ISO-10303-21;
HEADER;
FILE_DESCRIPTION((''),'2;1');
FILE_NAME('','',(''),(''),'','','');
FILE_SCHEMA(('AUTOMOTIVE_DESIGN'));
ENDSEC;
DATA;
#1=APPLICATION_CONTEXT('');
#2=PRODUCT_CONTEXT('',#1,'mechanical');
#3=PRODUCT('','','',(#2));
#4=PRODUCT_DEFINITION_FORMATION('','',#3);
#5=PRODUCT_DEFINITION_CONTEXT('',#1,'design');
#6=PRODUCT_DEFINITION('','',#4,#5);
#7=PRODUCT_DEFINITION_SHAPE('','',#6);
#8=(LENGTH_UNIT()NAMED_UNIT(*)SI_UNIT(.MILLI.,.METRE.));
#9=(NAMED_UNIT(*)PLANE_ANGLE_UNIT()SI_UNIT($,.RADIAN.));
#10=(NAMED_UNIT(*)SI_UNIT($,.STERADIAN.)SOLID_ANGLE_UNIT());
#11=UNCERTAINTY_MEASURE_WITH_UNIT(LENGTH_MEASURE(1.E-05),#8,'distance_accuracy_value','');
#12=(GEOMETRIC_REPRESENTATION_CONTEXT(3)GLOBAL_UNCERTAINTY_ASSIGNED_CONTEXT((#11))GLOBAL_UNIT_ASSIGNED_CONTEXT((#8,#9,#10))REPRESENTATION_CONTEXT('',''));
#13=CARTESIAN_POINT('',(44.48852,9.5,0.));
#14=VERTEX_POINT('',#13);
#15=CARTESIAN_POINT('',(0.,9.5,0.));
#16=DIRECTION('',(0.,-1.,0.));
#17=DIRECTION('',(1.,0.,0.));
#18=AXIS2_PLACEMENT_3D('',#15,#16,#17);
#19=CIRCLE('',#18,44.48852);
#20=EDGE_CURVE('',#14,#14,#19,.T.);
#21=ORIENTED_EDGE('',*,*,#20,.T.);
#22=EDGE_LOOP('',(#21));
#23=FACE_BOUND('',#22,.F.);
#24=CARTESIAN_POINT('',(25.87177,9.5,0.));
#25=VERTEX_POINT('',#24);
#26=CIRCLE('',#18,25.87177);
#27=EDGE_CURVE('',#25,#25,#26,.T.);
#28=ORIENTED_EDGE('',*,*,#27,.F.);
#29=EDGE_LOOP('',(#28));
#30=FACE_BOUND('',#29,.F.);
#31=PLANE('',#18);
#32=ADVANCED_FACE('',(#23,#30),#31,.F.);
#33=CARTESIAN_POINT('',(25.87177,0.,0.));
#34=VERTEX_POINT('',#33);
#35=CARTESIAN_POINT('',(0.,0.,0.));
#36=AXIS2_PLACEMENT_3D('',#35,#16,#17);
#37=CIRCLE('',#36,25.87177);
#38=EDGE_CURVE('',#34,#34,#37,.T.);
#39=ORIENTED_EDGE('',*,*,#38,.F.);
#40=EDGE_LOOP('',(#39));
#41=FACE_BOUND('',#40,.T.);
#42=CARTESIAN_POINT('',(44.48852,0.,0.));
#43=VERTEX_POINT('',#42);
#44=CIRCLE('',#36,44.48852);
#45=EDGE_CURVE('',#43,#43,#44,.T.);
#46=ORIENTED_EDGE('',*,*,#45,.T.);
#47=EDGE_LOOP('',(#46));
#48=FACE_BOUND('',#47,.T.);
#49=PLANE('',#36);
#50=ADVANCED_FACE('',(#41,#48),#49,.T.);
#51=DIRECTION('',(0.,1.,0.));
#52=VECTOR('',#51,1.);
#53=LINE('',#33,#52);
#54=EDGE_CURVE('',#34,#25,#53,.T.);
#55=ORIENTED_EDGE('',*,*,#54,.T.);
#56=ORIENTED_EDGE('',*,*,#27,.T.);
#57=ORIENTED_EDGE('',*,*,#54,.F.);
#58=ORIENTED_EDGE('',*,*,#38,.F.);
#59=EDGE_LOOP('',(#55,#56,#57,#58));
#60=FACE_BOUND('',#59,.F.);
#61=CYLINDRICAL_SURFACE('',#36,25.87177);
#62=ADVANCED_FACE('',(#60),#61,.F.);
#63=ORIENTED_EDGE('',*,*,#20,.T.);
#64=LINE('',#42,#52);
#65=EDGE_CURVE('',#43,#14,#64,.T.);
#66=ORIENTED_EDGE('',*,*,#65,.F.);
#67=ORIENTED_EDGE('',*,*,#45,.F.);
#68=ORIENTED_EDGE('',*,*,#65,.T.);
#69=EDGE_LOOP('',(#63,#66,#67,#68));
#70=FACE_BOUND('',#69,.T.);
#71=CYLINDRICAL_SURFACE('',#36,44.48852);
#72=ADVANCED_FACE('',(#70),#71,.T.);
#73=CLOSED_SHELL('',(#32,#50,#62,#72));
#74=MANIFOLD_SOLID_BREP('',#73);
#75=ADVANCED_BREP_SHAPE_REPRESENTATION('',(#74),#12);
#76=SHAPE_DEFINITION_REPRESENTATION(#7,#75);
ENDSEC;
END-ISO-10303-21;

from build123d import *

# Parameters (mm, degrees)
F0_R     = 44.48852
F1_DEPTH = 9.5
F2_R     = 25.811478
F4_DEPTH = 8.7
F5_R     = 25.87177
F6_DEPTH = 25


with BuildPart() as f1:
    # F0 (on Front) → F1 (new body)
    with BuildSketch(Plane.XZ):
        Circle(F0_R)
    extrude(amount=-F1_DEPTH)

    # F2 (on Front) → F4 (join)
    with BuildSketch(Plane.XZ):
        Circle(F2_R)
    extrude(amount=-F4_DEPTH)

    # F5 (on Front) → F6 (cut)
    with BuildSketch(Plane.XZ):
        Circle(F5_R)
    extrude(amount=-F6_DEPTH, mode=Mode.SUBTRACT)


solid = f1.part
